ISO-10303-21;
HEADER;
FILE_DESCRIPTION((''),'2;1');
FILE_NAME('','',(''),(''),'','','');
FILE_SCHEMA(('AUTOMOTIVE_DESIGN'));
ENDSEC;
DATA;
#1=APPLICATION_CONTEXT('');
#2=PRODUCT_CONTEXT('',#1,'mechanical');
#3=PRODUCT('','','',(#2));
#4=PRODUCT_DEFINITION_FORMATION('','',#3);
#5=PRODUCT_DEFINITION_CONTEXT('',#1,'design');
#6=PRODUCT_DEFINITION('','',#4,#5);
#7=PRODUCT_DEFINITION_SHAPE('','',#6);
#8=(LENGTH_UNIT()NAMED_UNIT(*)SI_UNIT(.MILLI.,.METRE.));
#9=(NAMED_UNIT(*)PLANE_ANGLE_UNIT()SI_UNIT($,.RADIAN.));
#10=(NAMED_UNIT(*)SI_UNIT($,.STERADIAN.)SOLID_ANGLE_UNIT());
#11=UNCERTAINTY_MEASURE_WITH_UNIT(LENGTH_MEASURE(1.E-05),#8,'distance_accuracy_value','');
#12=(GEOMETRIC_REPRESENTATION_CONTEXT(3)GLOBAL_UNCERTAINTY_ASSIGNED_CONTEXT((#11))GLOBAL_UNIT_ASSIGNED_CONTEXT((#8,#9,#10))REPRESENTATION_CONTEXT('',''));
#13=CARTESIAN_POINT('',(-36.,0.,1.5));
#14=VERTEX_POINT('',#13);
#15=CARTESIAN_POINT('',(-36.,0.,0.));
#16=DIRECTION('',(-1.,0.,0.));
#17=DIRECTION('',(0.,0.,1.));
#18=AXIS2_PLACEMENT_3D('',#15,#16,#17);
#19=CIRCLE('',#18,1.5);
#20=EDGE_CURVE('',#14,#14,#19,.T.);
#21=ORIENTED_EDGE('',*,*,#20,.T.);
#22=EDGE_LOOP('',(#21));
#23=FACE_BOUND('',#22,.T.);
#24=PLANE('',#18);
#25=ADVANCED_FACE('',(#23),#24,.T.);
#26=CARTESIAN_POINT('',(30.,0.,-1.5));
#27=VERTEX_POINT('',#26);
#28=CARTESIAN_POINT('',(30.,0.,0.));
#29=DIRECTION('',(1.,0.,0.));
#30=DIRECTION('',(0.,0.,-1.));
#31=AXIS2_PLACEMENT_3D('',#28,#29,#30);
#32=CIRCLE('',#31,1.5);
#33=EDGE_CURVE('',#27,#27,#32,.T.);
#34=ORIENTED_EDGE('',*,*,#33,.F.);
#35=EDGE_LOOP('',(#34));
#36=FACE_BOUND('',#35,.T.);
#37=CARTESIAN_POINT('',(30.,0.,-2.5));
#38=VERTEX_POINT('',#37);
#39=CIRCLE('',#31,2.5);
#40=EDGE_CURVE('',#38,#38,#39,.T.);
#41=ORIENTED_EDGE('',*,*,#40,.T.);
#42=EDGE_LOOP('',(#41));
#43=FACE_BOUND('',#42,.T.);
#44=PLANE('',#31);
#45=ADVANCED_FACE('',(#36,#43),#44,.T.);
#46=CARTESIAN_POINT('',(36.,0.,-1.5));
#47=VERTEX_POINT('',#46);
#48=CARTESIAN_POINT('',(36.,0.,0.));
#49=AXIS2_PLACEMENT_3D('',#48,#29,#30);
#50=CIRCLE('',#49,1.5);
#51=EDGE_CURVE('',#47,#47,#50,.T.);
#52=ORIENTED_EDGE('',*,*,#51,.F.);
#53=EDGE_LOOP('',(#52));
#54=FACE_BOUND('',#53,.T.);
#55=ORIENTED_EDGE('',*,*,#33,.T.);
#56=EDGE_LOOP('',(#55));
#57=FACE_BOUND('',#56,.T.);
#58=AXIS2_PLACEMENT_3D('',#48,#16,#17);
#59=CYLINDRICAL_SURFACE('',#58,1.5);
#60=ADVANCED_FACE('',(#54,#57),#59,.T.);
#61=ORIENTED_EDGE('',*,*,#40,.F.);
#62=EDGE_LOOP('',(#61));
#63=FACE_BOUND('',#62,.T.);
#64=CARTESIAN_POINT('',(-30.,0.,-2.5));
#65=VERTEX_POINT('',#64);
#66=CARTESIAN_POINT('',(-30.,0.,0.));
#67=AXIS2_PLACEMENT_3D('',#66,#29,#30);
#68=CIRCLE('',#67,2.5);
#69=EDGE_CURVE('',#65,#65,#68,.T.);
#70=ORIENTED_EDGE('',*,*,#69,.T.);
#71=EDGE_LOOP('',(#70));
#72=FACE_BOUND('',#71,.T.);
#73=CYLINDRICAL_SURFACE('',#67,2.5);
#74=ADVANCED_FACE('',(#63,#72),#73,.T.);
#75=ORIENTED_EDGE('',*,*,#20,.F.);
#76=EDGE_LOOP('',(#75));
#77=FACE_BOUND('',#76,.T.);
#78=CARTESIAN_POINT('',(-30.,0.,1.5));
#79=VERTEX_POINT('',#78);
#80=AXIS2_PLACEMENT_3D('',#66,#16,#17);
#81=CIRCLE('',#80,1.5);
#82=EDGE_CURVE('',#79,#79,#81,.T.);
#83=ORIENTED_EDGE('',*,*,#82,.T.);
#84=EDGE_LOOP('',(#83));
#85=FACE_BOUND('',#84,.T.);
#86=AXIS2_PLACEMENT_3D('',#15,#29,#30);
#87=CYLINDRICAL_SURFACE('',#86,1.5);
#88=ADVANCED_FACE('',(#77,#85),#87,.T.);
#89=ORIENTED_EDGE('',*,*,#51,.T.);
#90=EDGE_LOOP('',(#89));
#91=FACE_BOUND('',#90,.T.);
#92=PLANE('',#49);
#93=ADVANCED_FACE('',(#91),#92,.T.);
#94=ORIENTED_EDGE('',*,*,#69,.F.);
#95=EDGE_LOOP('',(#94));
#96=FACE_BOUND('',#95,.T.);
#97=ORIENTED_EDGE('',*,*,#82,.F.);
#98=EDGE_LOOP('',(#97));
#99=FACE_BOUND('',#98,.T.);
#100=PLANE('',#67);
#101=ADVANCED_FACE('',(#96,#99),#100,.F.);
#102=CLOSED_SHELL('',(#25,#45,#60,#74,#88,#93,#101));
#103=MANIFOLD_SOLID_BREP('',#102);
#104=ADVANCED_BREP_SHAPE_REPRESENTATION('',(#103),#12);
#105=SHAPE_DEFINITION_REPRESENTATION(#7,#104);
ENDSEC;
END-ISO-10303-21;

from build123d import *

# Parameters (mm, degrees)
EXTRUDE_1_DEPTH      = 30
EXTRUDE_1_DEPTH_BACK = 30
SKETCH_1_R           = 2.5
SKETCH_2_R           = 1.5
EXTRUDE_2_DEPTH      = 6
EXTRUDE_START        = 6
SKETCH_3_R           = 1.5
EXTRUDE_3_DEPTH      = 6


with BuildPart() as part:
    # 草图1 → 凸台-拉伸1 (new, two sides: drawn at the far end of the back side and taken through both)
    with BuildSketch(Plane(origin=(0, 0, 0), x_dir=(0, 0, -1), z_dir=(1, 0, 0)).offset(-EXTRUDE_1_DEPTH_BACK)):
        Circle(SKETCH_1_R)
    extrude(amount=EXTRUDE_1_DEPTH + EXTRUDE_1_DEPTH_BACK)

    # 草图2 → 凸台-拉伸2 (add)
    with BuildSketch(Plane(origin=(30, 0, 0), x_dir=(0, 0, -1), z_dir=(1, 0, 0))):
        Circle(SKETCH_2_R)
    extrude(amount=EXTRUDE_2_DEPTH)

    # 草图3 → 凸台-拉伸3 (add)
    with BuildSketch(Plane.ZY.offset(30).offset(EXTRUDE_START)):
        Circle(SKETCH_3_R)
    extrude(amount=-EXTRUDE_3_DEPTH)


solid = part.part
